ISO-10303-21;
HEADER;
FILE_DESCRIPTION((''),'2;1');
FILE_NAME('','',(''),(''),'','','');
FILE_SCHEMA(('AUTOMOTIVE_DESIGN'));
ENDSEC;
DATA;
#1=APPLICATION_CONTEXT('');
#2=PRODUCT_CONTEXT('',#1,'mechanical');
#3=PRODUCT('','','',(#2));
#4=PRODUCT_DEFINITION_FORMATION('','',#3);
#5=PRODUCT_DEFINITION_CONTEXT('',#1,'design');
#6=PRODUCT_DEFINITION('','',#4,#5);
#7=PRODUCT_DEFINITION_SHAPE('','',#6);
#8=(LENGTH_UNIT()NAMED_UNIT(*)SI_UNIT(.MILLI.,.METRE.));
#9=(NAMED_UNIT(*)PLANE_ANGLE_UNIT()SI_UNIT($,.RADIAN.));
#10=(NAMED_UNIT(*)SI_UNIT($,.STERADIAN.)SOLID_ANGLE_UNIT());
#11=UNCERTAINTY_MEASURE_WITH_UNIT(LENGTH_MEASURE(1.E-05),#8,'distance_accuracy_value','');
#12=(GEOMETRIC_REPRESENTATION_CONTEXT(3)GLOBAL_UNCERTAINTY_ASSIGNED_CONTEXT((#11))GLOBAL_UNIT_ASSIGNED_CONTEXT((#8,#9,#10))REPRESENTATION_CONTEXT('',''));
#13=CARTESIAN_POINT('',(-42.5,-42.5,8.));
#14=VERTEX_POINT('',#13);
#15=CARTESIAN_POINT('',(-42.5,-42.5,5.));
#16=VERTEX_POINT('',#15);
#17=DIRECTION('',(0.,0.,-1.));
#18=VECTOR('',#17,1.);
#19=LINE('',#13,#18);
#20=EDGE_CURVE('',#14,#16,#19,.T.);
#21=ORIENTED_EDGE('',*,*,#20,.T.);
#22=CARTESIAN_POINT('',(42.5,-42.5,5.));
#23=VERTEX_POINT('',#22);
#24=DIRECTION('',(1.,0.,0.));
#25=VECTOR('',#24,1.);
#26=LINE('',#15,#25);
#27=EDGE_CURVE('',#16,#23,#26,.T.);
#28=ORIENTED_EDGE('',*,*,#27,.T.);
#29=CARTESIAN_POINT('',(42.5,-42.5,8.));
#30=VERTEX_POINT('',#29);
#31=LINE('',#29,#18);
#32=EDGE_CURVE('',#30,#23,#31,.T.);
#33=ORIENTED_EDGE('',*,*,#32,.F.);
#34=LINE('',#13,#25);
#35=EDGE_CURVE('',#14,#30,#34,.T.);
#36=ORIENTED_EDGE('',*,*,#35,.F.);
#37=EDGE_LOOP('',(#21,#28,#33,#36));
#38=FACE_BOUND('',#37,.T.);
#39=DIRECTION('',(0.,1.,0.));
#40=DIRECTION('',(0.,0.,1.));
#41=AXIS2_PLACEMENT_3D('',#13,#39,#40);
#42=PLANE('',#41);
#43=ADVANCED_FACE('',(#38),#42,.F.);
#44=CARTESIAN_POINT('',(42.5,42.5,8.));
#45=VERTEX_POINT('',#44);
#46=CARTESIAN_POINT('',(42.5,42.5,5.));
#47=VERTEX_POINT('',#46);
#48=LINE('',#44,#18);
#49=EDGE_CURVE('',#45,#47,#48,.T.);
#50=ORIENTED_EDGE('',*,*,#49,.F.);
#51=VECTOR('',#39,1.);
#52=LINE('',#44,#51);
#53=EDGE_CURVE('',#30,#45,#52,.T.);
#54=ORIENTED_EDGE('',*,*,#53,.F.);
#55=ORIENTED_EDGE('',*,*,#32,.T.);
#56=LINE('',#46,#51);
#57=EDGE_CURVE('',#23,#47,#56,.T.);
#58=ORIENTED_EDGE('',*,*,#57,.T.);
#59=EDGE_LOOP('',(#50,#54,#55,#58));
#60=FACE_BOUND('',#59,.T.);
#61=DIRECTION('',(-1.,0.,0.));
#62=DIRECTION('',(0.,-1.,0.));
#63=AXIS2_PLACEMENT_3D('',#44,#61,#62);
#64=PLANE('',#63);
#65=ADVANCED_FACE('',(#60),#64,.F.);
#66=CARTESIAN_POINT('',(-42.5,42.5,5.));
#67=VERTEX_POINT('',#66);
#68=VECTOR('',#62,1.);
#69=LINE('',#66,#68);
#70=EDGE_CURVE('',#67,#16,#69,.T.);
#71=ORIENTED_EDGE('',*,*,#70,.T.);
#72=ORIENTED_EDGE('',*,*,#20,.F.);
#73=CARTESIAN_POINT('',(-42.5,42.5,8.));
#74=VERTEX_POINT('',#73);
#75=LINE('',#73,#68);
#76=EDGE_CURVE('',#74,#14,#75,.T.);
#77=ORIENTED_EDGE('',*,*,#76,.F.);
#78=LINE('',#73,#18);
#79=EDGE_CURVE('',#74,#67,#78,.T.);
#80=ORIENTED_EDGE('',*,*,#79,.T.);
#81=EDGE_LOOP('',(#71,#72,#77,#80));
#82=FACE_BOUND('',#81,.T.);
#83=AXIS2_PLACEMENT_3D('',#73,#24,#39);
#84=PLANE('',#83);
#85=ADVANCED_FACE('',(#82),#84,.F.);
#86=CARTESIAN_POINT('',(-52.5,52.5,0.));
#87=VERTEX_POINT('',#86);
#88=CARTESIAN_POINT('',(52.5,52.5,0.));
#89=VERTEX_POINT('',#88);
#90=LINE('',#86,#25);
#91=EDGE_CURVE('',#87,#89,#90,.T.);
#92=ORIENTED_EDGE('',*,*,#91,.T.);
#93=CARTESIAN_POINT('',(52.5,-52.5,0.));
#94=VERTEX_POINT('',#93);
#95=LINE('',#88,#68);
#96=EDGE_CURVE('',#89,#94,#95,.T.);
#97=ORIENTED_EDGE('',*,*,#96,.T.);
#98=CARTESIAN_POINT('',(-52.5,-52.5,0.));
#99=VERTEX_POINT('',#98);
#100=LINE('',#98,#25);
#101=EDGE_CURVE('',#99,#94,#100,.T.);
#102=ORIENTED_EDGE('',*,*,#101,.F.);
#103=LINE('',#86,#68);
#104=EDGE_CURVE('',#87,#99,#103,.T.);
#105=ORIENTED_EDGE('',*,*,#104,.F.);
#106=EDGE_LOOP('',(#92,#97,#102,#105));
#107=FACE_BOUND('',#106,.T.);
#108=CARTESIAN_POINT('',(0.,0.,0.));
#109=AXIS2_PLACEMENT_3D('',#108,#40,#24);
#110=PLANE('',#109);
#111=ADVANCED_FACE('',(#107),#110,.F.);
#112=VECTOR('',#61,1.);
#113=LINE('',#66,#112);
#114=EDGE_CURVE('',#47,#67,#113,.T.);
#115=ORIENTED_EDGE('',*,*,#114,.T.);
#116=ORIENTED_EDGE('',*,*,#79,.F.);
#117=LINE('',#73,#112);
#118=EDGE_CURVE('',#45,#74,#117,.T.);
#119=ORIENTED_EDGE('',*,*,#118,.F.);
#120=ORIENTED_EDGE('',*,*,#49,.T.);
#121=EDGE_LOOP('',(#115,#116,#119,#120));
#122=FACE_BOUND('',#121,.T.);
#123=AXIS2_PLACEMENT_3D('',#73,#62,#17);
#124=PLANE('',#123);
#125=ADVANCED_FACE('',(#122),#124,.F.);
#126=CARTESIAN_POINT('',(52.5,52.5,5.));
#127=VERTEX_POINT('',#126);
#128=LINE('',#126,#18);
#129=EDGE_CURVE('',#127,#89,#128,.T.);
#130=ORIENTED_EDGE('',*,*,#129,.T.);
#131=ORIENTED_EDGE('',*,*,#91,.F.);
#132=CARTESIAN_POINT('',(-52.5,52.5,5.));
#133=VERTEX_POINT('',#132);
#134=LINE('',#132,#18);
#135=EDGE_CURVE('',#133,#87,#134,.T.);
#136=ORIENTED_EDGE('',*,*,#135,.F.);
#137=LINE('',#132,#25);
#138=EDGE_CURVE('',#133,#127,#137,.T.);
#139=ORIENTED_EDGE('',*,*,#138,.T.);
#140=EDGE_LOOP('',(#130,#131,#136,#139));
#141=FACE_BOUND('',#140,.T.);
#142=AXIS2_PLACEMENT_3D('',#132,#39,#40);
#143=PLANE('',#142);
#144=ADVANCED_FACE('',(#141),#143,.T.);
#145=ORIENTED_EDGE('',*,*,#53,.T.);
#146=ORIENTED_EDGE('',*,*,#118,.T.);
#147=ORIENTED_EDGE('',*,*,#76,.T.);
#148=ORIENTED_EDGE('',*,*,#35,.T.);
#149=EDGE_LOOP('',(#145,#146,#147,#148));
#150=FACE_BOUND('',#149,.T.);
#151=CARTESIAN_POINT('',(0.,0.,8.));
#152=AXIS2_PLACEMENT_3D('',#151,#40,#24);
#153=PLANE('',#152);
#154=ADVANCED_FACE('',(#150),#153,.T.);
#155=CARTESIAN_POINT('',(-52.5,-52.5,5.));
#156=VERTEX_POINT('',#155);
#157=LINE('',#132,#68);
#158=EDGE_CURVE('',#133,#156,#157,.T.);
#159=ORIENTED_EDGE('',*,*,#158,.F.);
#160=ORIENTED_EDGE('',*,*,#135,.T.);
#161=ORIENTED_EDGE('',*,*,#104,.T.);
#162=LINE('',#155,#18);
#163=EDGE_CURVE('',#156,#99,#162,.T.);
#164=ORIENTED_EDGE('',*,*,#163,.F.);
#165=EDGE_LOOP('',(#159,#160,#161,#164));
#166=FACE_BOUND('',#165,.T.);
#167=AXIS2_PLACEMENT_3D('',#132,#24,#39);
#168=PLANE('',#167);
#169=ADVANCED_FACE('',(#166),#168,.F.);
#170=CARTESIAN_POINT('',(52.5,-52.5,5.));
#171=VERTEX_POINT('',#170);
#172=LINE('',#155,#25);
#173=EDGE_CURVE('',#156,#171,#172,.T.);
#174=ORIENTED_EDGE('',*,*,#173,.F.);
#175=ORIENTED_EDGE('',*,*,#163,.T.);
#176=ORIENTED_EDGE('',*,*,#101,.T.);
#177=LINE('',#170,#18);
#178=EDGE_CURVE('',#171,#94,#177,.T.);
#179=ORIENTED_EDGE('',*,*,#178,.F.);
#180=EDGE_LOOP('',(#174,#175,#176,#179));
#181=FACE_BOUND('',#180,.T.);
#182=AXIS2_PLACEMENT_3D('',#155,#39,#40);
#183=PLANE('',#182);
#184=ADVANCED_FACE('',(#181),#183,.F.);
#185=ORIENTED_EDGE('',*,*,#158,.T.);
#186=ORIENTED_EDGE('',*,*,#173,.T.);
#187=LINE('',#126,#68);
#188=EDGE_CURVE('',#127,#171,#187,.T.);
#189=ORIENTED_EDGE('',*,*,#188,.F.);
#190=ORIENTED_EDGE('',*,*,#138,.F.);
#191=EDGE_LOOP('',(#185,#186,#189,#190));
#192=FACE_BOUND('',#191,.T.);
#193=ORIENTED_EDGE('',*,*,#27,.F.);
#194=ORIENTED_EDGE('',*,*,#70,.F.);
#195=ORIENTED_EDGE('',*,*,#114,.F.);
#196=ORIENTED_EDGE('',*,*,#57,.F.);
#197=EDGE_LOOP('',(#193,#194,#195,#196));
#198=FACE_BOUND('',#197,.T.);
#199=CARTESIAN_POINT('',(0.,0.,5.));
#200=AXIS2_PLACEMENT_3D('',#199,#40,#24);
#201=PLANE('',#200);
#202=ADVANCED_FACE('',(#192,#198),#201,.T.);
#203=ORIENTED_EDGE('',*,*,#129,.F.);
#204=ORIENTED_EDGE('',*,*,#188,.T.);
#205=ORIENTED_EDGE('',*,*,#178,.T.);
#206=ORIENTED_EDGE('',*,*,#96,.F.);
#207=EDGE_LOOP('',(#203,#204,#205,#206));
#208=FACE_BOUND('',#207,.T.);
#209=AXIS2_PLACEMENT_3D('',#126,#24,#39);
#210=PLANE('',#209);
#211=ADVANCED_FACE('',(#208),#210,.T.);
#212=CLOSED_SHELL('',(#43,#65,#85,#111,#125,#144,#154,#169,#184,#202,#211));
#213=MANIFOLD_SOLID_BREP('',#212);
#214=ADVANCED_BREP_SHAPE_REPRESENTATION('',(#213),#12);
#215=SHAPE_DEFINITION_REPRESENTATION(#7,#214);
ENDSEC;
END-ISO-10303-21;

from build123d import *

# Parameters (mm, degrees)
SKETCH1_W           = 105
SKETCH1_H           = 105
BOSS_EXTRUDE1_DEPTH = 5
SKETCH2_W           = 85
SKETCH2_H           = 85
BOSS_EXTRUDE2_DEPTH = 3


with BuildPart() as part:
    # Sketch1 → Boss-Extrude1 (new body)
    with BuildSketch(Plane.XY):
        Rectangle(SKETCH1_W, SKETCH1_H)
    extrude(amount=BOSS_EXTRUDE1_DEPTH)

    # Sketch2 → Boss-Extrude2 (add)
    with BuildSketch(Plane.XY.offset(5)):
        Rectangle(SKETCH2_W, SKETCH2_H)
    extrude(amount=BOSS_EXTRUDE2_DEPTH)


solid = part.part
